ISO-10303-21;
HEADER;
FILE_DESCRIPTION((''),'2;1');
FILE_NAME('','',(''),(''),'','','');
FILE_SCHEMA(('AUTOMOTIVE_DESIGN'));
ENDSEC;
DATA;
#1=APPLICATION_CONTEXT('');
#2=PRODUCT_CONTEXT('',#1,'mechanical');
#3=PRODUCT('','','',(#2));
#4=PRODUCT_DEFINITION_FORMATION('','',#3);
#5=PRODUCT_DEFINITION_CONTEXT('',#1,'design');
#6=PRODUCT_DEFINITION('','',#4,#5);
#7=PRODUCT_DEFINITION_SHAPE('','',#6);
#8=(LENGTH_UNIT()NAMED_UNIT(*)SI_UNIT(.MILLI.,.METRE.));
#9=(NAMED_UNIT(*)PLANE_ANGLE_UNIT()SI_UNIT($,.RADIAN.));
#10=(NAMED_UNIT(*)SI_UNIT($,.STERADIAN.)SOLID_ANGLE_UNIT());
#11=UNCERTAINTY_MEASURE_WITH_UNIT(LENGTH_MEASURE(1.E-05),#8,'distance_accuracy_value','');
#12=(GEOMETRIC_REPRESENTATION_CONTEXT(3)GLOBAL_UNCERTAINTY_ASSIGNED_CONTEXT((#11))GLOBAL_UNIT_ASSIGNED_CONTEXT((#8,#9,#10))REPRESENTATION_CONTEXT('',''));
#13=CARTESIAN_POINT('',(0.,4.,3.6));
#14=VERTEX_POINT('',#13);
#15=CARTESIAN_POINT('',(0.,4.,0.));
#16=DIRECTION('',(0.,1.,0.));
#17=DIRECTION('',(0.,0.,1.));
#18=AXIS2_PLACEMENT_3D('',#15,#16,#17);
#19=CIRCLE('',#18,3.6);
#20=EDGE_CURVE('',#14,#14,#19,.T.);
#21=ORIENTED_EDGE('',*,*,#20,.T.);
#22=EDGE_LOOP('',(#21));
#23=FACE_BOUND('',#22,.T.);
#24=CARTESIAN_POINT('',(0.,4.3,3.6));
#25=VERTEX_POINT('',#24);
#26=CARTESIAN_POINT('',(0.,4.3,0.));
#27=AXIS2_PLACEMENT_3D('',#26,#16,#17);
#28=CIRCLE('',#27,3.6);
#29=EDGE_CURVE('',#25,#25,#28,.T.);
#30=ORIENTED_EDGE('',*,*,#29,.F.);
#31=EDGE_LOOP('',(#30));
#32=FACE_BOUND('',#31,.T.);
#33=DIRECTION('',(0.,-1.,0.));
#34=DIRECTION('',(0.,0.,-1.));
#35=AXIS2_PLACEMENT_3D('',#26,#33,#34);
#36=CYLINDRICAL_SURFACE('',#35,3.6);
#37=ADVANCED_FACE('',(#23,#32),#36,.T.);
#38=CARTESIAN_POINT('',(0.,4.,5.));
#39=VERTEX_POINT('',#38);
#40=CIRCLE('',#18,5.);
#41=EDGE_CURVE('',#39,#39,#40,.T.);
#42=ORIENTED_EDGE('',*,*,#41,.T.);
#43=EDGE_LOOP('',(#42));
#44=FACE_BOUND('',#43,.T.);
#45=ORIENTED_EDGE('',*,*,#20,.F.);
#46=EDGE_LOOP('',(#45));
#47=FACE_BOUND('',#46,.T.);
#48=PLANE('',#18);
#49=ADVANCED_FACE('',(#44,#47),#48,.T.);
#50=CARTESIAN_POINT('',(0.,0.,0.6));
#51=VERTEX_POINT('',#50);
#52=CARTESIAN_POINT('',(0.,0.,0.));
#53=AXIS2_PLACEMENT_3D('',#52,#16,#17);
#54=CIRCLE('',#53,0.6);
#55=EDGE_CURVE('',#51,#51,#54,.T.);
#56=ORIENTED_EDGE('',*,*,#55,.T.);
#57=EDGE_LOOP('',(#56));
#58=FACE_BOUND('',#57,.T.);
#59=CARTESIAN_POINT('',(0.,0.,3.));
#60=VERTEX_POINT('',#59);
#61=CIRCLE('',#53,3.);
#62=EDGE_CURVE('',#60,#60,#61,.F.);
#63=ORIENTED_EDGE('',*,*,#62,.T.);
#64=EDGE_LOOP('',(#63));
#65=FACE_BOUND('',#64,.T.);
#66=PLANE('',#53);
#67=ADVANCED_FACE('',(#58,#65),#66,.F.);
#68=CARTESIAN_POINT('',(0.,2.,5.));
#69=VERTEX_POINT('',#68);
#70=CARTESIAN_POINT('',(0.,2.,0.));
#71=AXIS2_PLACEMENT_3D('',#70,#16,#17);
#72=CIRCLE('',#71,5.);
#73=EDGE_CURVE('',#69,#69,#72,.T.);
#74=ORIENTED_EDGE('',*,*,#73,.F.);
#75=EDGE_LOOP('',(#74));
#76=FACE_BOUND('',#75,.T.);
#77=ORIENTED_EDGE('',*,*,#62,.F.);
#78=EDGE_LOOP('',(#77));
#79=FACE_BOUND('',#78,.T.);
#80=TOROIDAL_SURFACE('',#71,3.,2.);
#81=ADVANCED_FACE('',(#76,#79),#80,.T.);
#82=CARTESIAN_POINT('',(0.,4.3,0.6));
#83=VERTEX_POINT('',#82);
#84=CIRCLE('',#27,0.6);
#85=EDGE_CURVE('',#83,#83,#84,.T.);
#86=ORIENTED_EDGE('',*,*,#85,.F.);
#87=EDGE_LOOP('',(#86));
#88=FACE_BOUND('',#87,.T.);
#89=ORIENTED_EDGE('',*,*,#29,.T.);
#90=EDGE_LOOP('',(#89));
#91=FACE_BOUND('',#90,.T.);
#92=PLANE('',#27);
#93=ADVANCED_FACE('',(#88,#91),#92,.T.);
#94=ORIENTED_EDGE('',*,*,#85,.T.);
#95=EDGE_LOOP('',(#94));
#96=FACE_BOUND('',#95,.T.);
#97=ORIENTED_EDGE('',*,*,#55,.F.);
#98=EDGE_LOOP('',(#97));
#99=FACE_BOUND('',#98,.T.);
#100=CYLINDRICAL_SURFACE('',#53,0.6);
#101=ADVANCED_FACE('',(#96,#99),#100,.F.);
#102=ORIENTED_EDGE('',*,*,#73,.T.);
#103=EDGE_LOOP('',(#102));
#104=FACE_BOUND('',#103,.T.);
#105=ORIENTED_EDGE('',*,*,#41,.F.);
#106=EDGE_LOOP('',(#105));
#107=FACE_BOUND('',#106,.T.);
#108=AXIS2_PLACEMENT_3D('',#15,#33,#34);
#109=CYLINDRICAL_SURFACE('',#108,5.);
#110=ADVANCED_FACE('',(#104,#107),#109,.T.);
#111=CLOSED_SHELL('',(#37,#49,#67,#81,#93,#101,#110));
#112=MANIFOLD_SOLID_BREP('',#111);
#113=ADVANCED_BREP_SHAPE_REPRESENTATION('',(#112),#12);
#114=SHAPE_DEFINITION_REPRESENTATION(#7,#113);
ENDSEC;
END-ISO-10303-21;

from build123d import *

# Parameters (mm, degrees)
SKETCH_1_R          = 5
EXTRUDE_1_DEPTH     = 4
SKETCH_2_R          = 3.6
EXTRUDE_2_DEPTH     = 0.3
FILLET_1_R          = 2
SKETCH_3_R          = 0.6
CUT_EXTRUDE_1_DEPTH = 9.275868534


with BuildPart() as part:
    # 草图1 → 凸台-拉伸1 (new body)
    with BuildSketch(Plane(origin=(0, 0, 0), x_dir=(1, 0, 0), z_dir=(0, 1, 0))):
        with Locations(Location((0, 0, 0), (0, 0, 270))):
            Circle(SKETCH_1_R)
    extrude(amount=EXTRUDE_1_DEPTH)

    # 草图2 → 凸台-拉伸2 (add)
    with BuildSketch(Plane(origin=(0, 4, 0), x_dir=(1, 0, 0), z_dir=(0, 1, 0))):
        with Locations(Location((0, 0, 0), (0, 0, 270))):
            Circle(SKETCH_2_R)
    extrude(amount=EXTRUDE_2_DEPTH)

    # 圆角1
    fillet_1_edges = [part.edges().sort_by_distance(p)[0] for p in [
        (0, 0, -5),
    ]]
    fillet(fillet_1_edges, radius=FILLET_1_R)

    # 草图3 → 切除-拉伸1 (cut, through all)
    with BuildSketch(Plane(origin=(0, 4.3, 0), x_dir=(1, 0, 0), z_dir=(0, 1, 0))):
        with Locations(Location((0, 0, 0), (0, 0, 270))):
            Circle(SKETCH_3_R)
    extrude(amount=-CUT_EXTRUDE_1_DEPTH, mode=Mode.SUBTRACT)


solid = part.part
